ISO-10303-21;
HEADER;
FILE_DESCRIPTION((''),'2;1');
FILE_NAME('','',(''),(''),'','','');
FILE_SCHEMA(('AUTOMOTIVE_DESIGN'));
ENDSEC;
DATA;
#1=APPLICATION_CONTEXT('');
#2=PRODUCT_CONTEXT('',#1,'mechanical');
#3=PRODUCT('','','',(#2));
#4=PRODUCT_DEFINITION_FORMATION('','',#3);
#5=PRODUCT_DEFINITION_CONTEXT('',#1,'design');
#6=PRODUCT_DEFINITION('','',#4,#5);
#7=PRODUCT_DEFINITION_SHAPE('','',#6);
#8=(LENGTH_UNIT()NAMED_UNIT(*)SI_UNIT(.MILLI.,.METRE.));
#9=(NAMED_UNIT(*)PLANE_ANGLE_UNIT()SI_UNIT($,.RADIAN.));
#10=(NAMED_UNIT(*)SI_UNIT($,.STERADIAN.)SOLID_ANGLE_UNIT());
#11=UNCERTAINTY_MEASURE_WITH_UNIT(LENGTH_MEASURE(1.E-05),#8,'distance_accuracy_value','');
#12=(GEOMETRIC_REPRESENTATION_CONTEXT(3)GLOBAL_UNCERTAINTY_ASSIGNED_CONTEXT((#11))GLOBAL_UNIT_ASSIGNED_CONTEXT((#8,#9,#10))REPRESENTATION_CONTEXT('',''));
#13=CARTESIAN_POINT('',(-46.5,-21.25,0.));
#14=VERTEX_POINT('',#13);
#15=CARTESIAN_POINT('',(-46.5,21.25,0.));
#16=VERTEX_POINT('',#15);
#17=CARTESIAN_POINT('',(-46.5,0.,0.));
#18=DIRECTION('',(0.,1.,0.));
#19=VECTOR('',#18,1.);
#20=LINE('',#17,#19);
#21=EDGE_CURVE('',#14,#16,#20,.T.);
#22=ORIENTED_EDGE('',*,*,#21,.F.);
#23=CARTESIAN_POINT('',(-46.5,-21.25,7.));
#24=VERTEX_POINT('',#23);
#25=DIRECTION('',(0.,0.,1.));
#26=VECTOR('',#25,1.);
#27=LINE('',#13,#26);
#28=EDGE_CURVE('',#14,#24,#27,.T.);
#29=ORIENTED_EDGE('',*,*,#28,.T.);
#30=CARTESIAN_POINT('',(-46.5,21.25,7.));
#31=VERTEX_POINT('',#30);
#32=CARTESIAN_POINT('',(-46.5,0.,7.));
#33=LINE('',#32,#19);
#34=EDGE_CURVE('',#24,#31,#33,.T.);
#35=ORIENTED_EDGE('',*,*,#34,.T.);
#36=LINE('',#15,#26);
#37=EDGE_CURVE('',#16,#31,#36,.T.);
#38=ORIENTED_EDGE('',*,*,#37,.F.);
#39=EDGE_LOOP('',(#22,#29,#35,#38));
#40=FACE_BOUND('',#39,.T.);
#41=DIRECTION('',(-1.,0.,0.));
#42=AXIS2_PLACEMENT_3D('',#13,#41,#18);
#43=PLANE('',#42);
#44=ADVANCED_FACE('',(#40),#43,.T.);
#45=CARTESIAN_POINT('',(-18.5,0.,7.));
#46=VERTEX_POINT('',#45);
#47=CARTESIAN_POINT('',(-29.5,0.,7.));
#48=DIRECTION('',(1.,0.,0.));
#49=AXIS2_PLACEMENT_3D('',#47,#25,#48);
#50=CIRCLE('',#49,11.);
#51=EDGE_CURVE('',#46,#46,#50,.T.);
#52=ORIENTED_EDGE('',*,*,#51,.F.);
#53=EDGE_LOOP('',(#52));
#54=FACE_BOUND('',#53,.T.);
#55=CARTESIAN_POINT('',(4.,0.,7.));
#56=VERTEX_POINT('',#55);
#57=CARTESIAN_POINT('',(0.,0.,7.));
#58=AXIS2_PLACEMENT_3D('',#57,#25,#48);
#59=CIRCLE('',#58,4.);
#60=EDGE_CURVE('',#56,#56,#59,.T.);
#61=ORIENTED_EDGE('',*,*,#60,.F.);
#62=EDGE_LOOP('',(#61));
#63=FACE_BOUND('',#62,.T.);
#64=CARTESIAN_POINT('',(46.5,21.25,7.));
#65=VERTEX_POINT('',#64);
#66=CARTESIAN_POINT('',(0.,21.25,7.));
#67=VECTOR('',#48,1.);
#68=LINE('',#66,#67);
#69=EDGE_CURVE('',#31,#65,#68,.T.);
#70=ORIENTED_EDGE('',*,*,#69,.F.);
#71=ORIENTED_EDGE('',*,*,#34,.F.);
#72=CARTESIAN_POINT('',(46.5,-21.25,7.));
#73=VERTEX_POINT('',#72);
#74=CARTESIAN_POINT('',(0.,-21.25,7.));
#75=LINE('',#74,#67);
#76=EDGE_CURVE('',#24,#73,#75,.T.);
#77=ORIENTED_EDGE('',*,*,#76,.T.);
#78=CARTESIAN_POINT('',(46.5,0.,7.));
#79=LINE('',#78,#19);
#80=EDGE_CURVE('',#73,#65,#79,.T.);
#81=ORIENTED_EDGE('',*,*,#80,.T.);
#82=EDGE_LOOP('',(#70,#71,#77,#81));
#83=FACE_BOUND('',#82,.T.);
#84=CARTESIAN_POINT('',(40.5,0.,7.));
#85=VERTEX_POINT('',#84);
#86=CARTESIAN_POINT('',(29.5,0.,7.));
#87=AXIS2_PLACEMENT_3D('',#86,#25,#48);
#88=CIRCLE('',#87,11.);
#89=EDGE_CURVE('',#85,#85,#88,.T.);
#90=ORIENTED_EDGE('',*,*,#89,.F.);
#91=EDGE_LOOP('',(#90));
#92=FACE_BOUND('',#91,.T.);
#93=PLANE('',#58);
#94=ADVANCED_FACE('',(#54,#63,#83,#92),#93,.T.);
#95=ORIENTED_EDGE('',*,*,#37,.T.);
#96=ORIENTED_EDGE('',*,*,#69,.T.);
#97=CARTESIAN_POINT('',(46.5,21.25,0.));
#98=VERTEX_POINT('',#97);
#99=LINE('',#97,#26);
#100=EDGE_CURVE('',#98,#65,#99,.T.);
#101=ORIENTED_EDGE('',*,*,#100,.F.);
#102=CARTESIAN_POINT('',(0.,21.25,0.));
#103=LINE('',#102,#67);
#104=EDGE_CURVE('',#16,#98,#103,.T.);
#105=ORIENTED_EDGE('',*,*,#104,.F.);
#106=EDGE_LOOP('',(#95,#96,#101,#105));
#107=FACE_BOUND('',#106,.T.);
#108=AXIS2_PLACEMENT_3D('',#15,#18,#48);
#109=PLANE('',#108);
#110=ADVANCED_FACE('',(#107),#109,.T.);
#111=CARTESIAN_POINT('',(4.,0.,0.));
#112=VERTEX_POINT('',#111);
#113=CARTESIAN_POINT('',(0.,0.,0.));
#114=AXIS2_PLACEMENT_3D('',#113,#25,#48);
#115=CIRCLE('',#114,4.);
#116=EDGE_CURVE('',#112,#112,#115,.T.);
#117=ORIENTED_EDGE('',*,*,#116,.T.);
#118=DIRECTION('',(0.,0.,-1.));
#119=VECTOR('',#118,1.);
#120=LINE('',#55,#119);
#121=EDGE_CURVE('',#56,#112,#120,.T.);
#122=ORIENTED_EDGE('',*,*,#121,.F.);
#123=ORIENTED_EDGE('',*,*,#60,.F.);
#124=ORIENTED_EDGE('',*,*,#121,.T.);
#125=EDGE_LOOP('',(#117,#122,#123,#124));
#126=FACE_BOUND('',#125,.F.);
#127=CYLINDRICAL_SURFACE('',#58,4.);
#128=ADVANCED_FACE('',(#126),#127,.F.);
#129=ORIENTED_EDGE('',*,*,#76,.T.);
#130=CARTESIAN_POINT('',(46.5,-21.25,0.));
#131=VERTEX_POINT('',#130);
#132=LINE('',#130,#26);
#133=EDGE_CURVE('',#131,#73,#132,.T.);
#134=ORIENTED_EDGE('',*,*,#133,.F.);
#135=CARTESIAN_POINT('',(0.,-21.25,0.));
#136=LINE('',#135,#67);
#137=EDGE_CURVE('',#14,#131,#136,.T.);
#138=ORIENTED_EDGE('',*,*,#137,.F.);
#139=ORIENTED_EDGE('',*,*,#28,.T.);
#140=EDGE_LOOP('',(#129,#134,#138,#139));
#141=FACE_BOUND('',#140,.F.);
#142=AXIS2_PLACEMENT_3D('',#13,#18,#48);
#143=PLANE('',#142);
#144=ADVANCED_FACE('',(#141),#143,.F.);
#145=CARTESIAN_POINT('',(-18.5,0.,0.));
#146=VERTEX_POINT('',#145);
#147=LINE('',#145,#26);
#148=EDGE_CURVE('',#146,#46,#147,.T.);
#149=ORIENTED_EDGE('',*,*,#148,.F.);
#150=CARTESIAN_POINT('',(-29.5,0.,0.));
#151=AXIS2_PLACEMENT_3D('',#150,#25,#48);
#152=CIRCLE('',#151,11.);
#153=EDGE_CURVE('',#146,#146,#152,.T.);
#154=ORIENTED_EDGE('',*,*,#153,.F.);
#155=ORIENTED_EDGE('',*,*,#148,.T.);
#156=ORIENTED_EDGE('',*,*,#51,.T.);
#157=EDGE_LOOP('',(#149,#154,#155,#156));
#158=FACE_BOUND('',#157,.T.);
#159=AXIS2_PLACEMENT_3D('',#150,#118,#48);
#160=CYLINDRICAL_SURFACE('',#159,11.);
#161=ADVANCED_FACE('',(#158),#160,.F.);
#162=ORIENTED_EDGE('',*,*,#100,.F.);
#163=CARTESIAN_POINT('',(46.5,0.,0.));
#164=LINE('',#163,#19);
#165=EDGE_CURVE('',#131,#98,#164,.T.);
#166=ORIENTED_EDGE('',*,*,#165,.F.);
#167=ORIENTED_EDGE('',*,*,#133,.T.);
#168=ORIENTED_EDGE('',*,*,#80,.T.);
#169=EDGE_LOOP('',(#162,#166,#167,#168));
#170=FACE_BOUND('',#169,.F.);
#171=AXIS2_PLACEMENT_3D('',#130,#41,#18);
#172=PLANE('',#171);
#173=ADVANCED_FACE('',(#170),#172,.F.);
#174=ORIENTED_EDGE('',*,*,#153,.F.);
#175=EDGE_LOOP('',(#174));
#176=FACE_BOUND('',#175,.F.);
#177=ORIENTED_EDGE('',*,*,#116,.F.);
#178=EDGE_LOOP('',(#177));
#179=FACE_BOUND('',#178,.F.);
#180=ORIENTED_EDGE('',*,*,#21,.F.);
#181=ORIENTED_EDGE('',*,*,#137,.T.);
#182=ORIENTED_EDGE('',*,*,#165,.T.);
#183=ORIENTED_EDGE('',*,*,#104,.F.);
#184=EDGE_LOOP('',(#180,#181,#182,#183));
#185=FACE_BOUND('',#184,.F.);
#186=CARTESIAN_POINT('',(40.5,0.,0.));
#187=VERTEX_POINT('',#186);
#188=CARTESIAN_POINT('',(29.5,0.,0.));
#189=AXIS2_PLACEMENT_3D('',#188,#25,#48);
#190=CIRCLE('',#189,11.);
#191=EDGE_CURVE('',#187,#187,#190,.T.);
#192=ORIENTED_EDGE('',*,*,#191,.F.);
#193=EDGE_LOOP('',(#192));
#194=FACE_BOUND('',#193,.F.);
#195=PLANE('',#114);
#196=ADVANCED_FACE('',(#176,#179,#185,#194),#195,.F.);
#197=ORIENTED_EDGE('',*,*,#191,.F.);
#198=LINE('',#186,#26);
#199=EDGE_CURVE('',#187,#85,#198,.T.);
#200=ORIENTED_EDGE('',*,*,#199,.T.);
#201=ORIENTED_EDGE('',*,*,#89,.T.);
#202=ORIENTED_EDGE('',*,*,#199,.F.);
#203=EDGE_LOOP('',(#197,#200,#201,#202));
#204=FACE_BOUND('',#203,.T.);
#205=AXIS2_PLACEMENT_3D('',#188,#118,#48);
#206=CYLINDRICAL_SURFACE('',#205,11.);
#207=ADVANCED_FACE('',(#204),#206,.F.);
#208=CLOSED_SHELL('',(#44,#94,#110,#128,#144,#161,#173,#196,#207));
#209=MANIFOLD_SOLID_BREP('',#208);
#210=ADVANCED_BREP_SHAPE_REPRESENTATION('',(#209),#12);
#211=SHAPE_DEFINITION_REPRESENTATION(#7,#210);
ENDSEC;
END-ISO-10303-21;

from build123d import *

# Parameters (mm, degrees)
SKETCH_W     = 93
SKETCH_H     = 42.5
SKETCH_R     = 11
PAD_DEPTH    = 7
SKETCH001_R  = 4
POCKET_DEPTH = 7.001


with BuildPart() as part:
    # Sketch → Pad (new body)
    with BuildSketch(Plane.XY):
        Rectangle(SKETCH_W, SKETCH_H)
        with Locations((29.5, 0)):
            Circle(SKETCH_R, mode=Mode.SUBTRACT)
        with Locations((-29.5, 0)):
            Circle(SKETCH_R, mode=Mode.SUBTRACT)
    extrude(amount=PAD_DEPTH)

    # Sketch001 → Pocket (cut, through all)
    with BuildSketch(Plane.XY.offset(7)):
        Circle(SKETCH001_R)
    extrude(amount=-POCKET_DEPTH, mode=Mode.SUBTRACT)


solid = part.part
